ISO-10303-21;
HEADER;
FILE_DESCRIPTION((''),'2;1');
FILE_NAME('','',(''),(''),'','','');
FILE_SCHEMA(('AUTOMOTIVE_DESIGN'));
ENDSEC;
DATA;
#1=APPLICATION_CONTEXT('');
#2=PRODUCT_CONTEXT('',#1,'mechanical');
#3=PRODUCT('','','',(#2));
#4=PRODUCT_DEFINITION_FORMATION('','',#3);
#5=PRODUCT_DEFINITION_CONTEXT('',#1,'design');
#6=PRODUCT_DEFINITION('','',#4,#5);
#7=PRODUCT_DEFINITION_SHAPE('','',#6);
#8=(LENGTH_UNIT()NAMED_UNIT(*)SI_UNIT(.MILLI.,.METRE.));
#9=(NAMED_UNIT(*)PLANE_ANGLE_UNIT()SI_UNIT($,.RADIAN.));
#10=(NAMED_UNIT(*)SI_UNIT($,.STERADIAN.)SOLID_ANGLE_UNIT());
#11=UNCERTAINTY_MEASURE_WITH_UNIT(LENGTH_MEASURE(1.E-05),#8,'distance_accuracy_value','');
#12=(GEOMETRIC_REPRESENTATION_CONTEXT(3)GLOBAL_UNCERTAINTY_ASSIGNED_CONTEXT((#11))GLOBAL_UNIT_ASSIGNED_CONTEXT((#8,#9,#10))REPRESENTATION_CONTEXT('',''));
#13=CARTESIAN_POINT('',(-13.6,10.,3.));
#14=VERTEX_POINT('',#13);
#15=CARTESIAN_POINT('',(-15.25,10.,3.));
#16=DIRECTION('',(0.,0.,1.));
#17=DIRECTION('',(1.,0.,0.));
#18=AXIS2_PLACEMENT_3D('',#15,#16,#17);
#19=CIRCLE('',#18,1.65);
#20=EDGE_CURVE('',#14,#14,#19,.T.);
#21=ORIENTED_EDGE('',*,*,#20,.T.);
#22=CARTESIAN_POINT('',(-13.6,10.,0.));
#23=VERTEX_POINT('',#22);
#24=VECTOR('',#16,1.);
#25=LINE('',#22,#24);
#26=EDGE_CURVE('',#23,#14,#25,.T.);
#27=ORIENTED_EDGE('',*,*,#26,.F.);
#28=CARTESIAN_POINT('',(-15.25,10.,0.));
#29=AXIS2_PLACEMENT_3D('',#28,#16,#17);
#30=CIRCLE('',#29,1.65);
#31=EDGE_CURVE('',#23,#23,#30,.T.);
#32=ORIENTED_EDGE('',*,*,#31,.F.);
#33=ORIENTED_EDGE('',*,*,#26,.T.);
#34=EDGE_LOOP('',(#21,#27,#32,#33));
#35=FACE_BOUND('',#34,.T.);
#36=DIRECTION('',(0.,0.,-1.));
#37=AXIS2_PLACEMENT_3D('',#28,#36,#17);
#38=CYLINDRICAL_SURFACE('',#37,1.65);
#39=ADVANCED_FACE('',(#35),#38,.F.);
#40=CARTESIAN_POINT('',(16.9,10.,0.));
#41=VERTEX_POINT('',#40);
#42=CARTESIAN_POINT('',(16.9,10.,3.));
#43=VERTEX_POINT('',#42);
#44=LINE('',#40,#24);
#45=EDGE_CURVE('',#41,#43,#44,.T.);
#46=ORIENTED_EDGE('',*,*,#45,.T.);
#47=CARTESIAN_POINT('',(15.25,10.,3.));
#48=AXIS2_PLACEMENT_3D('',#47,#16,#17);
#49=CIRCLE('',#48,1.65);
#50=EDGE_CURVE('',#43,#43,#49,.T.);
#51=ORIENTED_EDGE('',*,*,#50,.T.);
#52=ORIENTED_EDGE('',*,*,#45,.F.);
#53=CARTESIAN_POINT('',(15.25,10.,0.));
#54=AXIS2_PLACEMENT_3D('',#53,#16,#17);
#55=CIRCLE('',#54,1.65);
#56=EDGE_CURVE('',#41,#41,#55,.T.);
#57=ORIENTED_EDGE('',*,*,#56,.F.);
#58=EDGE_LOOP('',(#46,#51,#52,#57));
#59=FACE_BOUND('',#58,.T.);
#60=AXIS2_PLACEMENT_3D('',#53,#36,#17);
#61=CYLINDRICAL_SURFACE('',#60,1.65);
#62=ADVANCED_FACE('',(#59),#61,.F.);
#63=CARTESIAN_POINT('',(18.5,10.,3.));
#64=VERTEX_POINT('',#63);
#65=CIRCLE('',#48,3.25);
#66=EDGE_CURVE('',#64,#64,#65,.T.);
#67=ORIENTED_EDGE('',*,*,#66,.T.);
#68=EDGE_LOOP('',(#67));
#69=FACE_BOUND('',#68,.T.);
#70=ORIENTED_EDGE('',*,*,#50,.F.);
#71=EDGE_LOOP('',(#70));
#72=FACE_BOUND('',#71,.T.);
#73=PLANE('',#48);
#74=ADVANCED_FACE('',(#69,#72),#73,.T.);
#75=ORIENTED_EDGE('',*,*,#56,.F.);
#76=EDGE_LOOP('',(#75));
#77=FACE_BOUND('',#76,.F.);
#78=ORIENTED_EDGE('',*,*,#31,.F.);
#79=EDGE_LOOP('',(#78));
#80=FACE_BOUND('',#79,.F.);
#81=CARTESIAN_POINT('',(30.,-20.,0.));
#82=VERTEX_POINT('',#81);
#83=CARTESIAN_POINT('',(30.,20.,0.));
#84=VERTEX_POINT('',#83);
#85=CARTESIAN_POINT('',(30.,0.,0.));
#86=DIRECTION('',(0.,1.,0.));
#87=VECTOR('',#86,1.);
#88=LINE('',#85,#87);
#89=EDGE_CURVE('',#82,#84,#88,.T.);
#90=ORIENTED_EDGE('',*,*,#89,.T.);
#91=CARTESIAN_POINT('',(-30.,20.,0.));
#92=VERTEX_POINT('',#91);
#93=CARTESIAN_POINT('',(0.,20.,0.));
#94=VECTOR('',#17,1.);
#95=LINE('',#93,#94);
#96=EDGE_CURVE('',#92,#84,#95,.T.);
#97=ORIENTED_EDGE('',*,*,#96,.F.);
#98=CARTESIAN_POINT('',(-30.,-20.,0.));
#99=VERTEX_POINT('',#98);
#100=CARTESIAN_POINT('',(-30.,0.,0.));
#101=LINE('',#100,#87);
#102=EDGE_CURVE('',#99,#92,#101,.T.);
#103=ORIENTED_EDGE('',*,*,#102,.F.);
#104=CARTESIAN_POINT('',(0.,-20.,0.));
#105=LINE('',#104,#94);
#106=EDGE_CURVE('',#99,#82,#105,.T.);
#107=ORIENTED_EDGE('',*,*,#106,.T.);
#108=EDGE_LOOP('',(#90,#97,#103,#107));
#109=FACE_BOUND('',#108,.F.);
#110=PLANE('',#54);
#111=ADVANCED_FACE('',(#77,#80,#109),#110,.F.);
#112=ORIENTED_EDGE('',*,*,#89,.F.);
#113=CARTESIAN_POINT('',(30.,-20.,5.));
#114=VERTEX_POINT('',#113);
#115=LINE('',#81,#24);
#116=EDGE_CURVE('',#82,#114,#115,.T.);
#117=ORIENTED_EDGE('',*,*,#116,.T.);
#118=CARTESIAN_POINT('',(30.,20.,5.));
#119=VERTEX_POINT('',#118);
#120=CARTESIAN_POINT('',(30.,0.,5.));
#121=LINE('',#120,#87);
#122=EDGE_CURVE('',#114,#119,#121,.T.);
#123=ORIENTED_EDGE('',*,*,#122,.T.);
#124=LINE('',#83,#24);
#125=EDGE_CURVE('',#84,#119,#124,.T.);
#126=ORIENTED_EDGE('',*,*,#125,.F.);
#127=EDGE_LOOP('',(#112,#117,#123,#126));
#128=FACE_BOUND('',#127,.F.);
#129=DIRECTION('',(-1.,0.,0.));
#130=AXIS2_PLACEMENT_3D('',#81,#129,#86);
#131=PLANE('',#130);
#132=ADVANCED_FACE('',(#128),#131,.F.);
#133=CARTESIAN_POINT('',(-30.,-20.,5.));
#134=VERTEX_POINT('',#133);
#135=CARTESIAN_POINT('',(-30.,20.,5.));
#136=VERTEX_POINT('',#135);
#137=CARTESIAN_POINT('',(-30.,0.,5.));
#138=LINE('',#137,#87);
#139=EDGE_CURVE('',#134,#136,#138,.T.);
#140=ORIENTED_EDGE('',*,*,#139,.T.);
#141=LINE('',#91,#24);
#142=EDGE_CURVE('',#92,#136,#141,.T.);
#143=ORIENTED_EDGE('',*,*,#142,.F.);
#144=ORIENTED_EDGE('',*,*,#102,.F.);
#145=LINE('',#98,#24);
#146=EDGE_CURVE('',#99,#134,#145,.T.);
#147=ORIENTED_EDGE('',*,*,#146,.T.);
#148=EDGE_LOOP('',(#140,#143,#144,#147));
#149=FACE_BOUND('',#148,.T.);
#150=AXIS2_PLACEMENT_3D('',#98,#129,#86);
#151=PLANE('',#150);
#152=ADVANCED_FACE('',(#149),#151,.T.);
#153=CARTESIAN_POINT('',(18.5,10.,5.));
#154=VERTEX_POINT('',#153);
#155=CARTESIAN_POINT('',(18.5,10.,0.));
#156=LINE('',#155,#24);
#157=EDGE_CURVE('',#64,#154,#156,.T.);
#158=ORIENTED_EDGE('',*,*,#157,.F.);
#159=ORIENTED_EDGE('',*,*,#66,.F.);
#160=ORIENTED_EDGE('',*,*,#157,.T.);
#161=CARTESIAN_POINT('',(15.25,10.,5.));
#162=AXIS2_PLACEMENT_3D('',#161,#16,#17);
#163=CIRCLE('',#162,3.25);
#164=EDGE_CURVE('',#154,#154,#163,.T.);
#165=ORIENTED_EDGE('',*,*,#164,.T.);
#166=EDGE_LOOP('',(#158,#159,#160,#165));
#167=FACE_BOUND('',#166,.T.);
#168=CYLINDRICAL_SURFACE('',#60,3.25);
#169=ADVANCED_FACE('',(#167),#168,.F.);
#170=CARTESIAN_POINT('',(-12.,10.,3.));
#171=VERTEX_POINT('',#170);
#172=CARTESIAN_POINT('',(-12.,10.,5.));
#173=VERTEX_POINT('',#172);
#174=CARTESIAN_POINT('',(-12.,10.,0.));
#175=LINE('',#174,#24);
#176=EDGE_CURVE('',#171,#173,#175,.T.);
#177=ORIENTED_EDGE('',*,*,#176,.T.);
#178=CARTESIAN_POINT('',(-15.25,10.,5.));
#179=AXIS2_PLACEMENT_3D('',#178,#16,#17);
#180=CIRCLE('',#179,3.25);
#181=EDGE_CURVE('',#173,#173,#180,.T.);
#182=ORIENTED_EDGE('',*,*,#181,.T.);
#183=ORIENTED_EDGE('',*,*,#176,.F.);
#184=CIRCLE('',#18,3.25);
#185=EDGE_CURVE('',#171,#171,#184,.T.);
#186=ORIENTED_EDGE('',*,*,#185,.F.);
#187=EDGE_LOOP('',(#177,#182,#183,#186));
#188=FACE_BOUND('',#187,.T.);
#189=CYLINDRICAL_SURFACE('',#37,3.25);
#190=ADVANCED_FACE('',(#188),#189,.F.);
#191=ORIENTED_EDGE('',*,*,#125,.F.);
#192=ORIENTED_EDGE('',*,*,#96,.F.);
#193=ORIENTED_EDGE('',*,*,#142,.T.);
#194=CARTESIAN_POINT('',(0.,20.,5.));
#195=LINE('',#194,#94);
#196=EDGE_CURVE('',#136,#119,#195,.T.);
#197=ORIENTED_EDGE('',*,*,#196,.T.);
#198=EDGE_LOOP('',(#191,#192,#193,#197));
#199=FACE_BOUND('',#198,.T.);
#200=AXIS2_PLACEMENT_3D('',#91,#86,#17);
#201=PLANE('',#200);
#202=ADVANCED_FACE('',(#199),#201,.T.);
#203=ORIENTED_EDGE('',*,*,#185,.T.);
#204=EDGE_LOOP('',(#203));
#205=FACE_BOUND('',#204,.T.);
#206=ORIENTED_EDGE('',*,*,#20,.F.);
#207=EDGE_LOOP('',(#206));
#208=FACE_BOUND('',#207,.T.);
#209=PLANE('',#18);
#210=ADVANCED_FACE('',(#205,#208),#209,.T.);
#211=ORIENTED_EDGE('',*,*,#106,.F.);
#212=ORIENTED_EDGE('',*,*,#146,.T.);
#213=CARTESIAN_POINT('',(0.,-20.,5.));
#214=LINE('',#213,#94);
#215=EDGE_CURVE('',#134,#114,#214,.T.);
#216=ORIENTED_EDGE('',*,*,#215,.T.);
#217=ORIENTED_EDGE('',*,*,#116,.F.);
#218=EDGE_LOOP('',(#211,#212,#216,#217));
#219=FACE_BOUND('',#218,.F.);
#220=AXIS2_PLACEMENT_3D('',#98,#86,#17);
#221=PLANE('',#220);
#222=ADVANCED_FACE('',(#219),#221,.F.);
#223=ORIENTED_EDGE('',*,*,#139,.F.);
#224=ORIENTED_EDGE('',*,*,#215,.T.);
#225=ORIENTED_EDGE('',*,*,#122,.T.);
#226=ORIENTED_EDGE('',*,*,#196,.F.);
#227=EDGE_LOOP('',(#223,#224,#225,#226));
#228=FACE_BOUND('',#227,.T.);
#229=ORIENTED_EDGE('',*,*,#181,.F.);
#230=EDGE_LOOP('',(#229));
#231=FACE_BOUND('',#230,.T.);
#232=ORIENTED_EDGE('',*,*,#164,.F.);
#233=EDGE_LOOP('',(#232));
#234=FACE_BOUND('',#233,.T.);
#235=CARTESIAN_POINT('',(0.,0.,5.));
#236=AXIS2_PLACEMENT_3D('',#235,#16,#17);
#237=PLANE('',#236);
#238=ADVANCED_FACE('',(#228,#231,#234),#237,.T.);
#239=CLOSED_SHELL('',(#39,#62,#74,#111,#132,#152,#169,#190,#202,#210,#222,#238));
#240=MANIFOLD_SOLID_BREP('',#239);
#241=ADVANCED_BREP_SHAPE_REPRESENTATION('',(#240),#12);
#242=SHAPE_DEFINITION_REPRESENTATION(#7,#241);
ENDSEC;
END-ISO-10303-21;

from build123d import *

# Parameters (mm, degrees)
F0_W     = 60
F0_H     = 40
F0_R     = 3.25
F1_DEPTH = 5
F0_R_2   = 1.65
F2_DEPTH = 3


with BuildPart() as f1:
    # F0 (on Top) → F1 (new body)
    with BuildSketch(Plane.XY):
        Rectangle(F0_W, F0_H)
        with Locations((-15.25, 10)):
            Circle(F0_R, mode=Mode.SUBTRACT)
        with Locations((15.25, 10)):
            Circle(F0_R, mode=Mode.SUBTRACT)
    extrude(amount=F1_DEPTH)

    # F0 (on Top) → F2 (join)
    with BuildSketch(Plane.XY):
        with Locations((15.25, 10)):
            Circle(F0_R)
        with Locations((15.25, 10)):
            Circle(F0_R_2, mode=Mode.SUBTRACT)
        with Locations((-15.25, 10)):
            Circle(F0_R)
        with Locations((-15.25, 10)):
            Circle(F0_R_2, mode=Mode.SUBTRACT)
    extrude(amount=F2_DEPTH)


solid = f1.part
